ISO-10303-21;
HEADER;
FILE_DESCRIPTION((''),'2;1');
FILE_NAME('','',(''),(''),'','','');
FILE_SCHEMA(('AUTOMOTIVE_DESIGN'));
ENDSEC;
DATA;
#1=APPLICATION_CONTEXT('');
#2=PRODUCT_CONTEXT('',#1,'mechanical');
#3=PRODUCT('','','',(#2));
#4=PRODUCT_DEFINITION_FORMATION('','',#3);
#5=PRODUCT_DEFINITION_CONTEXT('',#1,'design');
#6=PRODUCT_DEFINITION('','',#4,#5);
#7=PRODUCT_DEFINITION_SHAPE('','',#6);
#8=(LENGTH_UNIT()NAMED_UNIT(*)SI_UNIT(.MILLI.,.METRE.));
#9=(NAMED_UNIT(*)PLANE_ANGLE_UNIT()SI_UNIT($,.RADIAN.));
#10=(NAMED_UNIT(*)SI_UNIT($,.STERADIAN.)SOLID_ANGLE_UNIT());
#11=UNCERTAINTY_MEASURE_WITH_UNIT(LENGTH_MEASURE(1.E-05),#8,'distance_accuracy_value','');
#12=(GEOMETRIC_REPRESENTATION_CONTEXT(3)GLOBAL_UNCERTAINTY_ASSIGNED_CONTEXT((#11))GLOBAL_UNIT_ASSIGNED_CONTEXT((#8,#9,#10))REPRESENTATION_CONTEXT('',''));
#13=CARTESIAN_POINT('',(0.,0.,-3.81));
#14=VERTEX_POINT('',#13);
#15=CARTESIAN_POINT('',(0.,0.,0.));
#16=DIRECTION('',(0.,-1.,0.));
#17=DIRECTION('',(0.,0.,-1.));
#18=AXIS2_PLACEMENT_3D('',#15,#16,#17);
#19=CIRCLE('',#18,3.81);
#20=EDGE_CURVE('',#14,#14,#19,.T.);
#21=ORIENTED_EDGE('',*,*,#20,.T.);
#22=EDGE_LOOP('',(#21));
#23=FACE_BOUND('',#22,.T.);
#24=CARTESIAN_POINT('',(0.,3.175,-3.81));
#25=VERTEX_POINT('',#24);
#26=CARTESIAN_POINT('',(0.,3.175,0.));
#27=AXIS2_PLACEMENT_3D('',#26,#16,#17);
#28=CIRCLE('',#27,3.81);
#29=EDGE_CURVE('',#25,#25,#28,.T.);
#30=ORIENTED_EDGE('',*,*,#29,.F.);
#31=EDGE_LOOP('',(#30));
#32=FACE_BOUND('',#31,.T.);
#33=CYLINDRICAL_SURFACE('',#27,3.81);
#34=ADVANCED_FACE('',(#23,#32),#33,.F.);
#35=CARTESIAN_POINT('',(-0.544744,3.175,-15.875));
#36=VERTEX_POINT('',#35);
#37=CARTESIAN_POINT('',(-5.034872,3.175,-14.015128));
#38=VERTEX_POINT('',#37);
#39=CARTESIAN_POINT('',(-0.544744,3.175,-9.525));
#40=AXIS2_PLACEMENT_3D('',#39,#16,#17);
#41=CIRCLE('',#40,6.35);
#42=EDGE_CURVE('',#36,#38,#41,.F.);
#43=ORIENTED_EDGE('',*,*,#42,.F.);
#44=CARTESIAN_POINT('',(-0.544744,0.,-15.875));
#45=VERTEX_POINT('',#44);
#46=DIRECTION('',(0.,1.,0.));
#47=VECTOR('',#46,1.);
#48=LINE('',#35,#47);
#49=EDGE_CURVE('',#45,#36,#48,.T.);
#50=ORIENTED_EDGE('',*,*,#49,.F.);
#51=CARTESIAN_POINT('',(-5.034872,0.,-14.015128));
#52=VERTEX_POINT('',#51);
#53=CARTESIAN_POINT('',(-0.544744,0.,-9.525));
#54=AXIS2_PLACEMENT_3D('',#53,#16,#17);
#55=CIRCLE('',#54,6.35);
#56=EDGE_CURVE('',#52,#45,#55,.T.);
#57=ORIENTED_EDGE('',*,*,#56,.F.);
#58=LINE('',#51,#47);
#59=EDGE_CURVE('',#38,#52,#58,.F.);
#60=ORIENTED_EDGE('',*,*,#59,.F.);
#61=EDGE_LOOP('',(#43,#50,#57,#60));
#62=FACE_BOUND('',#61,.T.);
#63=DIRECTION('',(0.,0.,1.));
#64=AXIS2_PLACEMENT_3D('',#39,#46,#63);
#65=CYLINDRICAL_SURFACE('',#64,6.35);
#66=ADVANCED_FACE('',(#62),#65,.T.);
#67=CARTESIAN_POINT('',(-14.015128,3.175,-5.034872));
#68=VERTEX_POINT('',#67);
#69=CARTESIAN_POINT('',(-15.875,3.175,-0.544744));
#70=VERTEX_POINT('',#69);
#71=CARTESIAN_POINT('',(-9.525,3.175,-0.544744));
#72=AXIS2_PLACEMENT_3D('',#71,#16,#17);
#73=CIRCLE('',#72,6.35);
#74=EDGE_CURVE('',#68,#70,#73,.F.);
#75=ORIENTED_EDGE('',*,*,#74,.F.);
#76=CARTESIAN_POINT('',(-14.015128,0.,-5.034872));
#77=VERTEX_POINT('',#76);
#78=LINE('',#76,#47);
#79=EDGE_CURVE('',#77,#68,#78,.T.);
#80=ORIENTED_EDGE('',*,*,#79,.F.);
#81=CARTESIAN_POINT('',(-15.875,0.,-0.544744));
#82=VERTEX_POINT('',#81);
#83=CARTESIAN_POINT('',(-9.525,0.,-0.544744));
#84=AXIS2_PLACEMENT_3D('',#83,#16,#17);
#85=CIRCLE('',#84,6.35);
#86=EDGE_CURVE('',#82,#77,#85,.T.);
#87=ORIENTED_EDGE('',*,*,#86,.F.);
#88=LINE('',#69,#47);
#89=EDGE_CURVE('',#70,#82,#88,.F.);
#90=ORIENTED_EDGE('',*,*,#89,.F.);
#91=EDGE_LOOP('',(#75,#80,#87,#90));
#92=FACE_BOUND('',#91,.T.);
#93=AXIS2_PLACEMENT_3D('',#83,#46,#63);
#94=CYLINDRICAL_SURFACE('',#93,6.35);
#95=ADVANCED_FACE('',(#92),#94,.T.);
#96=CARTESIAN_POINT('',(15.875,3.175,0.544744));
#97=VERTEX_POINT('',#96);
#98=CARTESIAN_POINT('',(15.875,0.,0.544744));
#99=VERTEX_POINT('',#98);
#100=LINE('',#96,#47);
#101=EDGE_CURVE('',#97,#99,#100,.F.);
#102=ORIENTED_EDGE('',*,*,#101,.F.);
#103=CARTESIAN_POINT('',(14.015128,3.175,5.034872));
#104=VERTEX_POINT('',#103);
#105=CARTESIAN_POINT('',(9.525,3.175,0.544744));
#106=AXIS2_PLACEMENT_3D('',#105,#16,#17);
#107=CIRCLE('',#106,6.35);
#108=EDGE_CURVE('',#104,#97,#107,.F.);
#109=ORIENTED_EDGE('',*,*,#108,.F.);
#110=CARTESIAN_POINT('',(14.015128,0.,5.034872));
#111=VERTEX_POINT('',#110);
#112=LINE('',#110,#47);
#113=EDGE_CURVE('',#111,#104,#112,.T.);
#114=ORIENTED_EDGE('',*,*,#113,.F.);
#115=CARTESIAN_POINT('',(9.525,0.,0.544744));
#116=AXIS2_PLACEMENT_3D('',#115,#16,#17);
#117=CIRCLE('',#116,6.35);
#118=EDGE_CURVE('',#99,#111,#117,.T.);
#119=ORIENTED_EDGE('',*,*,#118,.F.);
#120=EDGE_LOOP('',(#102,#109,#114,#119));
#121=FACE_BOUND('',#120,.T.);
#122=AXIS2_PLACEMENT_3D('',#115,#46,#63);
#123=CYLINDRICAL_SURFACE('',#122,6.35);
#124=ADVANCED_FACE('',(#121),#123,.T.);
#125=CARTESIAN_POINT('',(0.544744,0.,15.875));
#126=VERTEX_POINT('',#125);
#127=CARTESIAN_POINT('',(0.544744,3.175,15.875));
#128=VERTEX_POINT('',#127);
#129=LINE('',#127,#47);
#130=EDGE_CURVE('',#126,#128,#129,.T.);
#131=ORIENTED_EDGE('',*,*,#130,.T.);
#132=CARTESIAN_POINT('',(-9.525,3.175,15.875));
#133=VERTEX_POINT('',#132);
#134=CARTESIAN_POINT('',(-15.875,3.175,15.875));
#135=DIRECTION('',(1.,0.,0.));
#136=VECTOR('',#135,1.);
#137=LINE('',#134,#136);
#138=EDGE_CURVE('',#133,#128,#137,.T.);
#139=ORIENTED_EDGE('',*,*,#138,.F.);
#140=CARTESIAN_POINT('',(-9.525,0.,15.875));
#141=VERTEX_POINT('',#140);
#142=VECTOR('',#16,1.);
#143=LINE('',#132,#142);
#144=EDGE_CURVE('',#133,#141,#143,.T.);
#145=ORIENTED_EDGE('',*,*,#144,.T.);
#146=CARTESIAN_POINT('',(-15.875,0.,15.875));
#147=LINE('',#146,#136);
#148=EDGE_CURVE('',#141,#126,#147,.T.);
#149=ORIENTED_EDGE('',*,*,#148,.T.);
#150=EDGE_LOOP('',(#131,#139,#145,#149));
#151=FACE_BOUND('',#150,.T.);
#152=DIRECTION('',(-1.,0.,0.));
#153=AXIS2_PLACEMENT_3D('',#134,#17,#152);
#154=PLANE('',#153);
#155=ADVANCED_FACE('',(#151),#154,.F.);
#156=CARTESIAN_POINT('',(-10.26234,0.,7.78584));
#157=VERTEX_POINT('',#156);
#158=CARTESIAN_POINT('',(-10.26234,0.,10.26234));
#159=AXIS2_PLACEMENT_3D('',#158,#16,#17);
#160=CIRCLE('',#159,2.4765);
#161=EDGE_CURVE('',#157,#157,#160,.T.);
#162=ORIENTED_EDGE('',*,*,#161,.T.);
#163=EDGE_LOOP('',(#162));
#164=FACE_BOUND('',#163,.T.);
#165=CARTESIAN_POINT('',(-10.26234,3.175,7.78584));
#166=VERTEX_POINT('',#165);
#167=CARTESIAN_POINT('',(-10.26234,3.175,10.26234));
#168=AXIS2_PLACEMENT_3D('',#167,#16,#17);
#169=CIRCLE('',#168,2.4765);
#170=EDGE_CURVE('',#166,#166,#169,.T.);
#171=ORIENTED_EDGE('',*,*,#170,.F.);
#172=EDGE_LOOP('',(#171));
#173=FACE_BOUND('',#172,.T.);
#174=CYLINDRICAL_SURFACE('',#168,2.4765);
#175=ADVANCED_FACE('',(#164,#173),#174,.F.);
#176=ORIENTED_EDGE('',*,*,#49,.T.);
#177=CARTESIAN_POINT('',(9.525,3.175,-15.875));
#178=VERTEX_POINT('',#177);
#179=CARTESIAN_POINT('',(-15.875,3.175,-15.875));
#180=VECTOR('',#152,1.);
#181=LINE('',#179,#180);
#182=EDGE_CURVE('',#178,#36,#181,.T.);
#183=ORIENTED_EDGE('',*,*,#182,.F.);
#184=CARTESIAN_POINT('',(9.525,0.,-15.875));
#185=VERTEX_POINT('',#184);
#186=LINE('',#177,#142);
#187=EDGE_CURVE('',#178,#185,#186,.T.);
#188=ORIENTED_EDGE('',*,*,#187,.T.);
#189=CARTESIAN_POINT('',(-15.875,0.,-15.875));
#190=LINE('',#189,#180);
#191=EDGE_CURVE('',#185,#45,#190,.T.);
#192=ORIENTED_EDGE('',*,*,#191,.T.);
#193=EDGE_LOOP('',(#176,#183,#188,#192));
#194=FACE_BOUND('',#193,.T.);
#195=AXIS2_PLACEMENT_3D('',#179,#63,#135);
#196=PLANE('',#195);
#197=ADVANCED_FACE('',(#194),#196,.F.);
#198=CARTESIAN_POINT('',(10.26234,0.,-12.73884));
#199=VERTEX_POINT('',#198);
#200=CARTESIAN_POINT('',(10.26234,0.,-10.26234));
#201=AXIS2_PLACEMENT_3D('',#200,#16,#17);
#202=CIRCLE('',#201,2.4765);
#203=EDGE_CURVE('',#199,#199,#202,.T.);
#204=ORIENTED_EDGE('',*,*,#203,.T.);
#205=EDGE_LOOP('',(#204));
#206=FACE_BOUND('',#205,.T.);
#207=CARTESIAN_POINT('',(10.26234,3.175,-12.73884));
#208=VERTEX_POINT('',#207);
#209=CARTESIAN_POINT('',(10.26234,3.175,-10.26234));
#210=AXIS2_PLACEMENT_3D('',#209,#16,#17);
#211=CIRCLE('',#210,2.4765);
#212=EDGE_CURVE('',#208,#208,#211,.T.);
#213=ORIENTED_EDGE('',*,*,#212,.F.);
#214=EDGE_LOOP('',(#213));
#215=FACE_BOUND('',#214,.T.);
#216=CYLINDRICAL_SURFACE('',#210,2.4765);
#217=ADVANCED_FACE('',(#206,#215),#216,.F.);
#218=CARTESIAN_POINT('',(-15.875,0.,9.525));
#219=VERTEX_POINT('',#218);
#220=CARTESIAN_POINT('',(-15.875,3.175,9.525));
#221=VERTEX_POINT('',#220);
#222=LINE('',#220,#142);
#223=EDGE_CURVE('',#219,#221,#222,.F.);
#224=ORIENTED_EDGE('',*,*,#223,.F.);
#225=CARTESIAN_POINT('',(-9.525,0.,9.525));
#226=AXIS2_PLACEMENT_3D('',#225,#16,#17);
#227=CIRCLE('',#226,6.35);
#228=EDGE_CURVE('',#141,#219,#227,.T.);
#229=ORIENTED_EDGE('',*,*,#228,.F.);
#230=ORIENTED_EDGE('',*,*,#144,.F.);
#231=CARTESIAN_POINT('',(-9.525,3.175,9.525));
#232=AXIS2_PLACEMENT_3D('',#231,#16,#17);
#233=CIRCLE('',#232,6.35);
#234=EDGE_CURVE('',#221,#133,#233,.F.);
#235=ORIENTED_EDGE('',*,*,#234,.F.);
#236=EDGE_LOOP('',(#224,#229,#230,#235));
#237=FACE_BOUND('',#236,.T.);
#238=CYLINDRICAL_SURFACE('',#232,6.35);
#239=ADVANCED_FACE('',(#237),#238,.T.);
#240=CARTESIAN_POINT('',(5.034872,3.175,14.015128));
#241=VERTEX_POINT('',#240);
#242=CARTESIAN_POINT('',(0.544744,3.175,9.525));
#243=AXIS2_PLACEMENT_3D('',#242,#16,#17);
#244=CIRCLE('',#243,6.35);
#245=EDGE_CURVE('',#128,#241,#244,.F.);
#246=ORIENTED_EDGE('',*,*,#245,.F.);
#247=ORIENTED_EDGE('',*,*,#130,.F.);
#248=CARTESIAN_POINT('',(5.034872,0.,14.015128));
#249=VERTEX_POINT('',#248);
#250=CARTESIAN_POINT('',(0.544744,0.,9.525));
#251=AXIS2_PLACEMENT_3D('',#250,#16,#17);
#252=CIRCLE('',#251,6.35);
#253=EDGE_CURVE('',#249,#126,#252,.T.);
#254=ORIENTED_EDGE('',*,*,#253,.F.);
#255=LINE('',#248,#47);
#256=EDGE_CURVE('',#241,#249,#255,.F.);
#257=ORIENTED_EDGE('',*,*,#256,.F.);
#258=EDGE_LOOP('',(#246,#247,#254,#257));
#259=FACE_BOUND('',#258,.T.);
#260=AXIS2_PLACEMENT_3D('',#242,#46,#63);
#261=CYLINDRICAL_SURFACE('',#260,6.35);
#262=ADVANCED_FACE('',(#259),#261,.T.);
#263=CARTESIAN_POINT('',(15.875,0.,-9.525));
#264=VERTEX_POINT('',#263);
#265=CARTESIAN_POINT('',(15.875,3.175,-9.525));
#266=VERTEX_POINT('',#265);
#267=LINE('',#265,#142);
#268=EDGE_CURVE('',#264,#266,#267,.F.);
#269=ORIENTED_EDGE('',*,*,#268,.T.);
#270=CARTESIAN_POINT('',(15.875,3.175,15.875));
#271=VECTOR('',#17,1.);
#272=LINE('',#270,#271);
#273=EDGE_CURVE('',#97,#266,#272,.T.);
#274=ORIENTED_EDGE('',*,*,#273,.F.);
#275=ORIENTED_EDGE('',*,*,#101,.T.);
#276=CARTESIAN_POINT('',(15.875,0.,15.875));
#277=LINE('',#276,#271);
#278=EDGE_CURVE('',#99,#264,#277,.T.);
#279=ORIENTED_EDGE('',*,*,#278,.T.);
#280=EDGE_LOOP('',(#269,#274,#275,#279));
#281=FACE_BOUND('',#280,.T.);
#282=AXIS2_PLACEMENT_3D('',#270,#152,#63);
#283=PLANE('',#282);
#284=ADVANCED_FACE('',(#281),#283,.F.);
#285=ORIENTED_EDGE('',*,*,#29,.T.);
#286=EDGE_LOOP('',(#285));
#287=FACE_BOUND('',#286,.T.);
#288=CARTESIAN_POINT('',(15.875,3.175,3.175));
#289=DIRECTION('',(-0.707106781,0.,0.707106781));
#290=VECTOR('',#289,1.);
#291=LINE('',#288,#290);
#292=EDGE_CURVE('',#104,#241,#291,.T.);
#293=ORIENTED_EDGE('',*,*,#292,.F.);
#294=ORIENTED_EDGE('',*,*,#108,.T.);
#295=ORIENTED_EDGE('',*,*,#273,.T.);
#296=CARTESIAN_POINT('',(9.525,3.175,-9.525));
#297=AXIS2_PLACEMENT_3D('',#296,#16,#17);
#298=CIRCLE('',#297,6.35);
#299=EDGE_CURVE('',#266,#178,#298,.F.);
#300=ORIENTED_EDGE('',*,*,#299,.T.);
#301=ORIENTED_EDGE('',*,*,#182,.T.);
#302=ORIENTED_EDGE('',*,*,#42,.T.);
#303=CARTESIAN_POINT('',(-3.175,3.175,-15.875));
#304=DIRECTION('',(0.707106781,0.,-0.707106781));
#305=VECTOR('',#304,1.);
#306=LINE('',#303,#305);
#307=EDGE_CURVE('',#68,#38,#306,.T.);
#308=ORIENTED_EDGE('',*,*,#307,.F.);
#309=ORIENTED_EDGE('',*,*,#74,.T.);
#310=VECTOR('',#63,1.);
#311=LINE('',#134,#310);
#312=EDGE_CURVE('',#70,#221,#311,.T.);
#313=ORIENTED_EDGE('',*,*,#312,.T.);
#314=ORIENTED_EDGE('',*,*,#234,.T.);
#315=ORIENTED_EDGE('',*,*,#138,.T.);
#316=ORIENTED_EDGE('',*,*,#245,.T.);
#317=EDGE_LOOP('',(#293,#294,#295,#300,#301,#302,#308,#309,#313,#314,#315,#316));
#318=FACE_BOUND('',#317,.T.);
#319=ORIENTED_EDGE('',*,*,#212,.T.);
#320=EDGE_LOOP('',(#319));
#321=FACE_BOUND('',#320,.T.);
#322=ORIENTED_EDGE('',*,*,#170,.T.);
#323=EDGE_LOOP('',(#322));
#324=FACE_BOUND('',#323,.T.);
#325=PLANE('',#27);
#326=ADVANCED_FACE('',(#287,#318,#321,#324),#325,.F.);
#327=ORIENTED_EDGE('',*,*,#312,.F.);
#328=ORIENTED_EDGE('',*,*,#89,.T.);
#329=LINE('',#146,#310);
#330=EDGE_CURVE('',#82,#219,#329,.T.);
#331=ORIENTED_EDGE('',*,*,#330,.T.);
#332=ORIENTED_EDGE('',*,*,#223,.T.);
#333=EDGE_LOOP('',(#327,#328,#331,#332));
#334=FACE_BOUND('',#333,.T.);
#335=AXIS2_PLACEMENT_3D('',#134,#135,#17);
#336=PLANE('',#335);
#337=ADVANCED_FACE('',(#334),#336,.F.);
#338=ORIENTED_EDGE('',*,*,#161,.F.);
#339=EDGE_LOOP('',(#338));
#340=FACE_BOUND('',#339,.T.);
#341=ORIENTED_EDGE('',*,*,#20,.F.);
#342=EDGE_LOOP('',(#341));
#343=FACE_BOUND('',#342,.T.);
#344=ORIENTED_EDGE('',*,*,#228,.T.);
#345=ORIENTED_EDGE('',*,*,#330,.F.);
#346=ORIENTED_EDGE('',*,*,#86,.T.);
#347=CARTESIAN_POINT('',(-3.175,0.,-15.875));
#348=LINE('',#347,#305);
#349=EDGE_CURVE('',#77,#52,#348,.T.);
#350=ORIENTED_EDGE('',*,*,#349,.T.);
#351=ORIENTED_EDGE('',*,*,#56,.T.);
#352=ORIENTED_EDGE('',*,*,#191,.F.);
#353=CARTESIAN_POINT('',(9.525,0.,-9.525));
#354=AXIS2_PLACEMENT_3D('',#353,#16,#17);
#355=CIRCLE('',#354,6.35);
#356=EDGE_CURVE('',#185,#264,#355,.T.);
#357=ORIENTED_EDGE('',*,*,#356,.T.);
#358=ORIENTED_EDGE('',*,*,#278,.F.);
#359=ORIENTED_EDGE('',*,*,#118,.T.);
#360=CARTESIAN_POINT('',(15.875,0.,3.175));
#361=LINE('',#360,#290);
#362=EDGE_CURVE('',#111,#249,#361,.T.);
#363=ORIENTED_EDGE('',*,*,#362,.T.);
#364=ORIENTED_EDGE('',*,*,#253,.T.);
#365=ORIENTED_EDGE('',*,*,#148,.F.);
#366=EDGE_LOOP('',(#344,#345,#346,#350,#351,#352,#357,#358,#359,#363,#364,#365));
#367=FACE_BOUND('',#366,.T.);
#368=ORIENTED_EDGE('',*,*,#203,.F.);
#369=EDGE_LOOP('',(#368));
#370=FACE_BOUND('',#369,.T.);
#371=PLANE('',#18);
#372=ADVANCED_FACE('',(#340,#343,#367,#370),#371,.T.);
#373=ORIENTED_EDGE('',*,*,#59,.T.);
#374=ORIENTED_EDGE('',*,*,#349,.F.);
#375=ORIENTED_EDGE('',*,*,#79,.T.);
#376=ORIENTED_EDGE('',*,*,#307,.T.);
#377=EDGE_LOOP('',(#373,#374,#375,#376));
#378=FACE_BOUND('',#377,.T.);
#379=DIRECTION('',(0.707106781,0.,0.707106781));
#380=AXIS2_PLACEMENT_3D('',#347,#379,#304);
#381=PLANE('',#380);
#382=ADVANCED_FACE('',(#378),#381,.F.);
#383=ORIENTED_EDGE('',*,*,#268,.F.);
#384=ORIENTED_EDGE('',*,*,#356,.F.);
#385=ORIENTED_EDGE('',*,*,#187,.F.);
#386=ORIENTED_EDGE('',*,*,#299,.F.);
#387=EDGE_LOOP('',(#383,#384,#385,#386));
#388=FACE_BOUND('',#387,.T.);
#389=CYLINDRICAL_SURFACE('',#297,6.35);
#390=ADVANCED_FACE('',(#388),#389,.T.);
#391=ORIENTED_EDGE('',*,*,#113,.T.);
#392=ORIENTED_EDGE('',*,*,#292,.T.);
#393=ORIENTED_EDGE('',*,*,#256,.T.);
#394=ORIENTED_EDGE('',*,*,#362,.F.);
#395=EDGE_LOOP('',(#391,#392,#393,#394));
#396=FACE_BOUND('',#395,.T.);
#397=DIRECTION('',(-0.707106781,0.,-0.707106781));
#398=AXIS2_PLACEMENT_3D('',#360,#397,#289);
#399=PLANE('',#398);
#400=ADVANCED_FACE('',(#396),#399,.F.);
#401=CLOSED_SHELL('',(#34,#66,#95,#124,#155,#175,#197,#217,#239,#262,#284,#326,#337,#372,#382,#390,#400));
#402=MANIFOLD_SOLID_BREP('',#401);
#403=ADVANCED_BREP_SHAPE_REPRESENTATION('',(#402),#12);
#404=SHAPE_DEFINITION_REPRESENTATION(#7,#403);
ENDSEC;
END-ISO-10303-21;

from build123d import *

# Parameters (mm, degrees)
SKETCH1_W           = 31.75
SKETCH1_H           = 31.75
BOSS_EXTRUDE1_DEPTH = 3.175
SKETCH3_R           = 2.4765
CUT_EXTRUDE2_DEPTH  = 4.175
SKETCH2_R           = 3.81
CUT_EXTRUDE4_DEPTH  = 4.175
CUT_EXTRUDE5_DEPTH  = 4.175
FILLET1_R           = 6.35


with BuildPart() as part:
    # Sketch1 → Boss-Extrude1 (new body)
    with BuildSketch(Plane(origin=(0, 0, 0), x_dir=(1, 0, 0), z_dir=(0, 1, 0))):
        Rectangle(SKETCH1_W, SKETCH1_H)
    extrude(amount=BOSS_EXTRUDE1_DEPTH)

    # Sketch3 → Cut-Extrude2 (cut, through all)
    with BuildSketch(Plane.XZ):
        with Locations((-10.262339924, 10.262339924)):
            Circle(SKETCH3_R)
        with Locations((10.262339924, -10.262339924)):
            Circle(SKETCH3_R)
    extrude(amount=-CUT_EXTRUDE2_DEPTH, mode=Mode.SUBTRACT)

    # Sketch2 → Cut-Extrude4 (cut, through all)
    with BuildSketch(Plane.XZ):
        Circle(SKETCH2_R)
    extrude(amount=-CUT_EXTRUDE4_DEPTH, mode=Mode.SUBTRACT)

    # Sketch4 → Cut-Extrude5 (cut, through all)
    with BuildSketch(Plane(origin=(0, 3.175, 0), x_dir=(1, 0, 0), z_dir=(0, 1, 0))):
        Polygon((-15.875, 15.875), (-3.175, 15.875), (-15.875, 3.175), align=None)
        Polygon((15.875, -15.875), (15.875, -3.175), (3.175, -15.875), align=None)
    extrude(amount=-CUT_EXTRUDE5_DEPTH, mode=Mode.SUBTRACT)

    # Fillet1
    fillet1_edges = [part.edges().sort_by_distance(p)[0] for p in [
        (-15.875, 1.5875, -3.175),
        (-3.175, 1.5875, -15.875),
        (3.175, 1.5875, 15.875),
        (15.875, 1.5875, 3.175),
        (-15.875, 1.5875, 15.875),
        (15.875, 1.5875, -15.875),
    ]]
    fillet(fillet1_edges, radius=FILLET1_R)


solid = part.part
